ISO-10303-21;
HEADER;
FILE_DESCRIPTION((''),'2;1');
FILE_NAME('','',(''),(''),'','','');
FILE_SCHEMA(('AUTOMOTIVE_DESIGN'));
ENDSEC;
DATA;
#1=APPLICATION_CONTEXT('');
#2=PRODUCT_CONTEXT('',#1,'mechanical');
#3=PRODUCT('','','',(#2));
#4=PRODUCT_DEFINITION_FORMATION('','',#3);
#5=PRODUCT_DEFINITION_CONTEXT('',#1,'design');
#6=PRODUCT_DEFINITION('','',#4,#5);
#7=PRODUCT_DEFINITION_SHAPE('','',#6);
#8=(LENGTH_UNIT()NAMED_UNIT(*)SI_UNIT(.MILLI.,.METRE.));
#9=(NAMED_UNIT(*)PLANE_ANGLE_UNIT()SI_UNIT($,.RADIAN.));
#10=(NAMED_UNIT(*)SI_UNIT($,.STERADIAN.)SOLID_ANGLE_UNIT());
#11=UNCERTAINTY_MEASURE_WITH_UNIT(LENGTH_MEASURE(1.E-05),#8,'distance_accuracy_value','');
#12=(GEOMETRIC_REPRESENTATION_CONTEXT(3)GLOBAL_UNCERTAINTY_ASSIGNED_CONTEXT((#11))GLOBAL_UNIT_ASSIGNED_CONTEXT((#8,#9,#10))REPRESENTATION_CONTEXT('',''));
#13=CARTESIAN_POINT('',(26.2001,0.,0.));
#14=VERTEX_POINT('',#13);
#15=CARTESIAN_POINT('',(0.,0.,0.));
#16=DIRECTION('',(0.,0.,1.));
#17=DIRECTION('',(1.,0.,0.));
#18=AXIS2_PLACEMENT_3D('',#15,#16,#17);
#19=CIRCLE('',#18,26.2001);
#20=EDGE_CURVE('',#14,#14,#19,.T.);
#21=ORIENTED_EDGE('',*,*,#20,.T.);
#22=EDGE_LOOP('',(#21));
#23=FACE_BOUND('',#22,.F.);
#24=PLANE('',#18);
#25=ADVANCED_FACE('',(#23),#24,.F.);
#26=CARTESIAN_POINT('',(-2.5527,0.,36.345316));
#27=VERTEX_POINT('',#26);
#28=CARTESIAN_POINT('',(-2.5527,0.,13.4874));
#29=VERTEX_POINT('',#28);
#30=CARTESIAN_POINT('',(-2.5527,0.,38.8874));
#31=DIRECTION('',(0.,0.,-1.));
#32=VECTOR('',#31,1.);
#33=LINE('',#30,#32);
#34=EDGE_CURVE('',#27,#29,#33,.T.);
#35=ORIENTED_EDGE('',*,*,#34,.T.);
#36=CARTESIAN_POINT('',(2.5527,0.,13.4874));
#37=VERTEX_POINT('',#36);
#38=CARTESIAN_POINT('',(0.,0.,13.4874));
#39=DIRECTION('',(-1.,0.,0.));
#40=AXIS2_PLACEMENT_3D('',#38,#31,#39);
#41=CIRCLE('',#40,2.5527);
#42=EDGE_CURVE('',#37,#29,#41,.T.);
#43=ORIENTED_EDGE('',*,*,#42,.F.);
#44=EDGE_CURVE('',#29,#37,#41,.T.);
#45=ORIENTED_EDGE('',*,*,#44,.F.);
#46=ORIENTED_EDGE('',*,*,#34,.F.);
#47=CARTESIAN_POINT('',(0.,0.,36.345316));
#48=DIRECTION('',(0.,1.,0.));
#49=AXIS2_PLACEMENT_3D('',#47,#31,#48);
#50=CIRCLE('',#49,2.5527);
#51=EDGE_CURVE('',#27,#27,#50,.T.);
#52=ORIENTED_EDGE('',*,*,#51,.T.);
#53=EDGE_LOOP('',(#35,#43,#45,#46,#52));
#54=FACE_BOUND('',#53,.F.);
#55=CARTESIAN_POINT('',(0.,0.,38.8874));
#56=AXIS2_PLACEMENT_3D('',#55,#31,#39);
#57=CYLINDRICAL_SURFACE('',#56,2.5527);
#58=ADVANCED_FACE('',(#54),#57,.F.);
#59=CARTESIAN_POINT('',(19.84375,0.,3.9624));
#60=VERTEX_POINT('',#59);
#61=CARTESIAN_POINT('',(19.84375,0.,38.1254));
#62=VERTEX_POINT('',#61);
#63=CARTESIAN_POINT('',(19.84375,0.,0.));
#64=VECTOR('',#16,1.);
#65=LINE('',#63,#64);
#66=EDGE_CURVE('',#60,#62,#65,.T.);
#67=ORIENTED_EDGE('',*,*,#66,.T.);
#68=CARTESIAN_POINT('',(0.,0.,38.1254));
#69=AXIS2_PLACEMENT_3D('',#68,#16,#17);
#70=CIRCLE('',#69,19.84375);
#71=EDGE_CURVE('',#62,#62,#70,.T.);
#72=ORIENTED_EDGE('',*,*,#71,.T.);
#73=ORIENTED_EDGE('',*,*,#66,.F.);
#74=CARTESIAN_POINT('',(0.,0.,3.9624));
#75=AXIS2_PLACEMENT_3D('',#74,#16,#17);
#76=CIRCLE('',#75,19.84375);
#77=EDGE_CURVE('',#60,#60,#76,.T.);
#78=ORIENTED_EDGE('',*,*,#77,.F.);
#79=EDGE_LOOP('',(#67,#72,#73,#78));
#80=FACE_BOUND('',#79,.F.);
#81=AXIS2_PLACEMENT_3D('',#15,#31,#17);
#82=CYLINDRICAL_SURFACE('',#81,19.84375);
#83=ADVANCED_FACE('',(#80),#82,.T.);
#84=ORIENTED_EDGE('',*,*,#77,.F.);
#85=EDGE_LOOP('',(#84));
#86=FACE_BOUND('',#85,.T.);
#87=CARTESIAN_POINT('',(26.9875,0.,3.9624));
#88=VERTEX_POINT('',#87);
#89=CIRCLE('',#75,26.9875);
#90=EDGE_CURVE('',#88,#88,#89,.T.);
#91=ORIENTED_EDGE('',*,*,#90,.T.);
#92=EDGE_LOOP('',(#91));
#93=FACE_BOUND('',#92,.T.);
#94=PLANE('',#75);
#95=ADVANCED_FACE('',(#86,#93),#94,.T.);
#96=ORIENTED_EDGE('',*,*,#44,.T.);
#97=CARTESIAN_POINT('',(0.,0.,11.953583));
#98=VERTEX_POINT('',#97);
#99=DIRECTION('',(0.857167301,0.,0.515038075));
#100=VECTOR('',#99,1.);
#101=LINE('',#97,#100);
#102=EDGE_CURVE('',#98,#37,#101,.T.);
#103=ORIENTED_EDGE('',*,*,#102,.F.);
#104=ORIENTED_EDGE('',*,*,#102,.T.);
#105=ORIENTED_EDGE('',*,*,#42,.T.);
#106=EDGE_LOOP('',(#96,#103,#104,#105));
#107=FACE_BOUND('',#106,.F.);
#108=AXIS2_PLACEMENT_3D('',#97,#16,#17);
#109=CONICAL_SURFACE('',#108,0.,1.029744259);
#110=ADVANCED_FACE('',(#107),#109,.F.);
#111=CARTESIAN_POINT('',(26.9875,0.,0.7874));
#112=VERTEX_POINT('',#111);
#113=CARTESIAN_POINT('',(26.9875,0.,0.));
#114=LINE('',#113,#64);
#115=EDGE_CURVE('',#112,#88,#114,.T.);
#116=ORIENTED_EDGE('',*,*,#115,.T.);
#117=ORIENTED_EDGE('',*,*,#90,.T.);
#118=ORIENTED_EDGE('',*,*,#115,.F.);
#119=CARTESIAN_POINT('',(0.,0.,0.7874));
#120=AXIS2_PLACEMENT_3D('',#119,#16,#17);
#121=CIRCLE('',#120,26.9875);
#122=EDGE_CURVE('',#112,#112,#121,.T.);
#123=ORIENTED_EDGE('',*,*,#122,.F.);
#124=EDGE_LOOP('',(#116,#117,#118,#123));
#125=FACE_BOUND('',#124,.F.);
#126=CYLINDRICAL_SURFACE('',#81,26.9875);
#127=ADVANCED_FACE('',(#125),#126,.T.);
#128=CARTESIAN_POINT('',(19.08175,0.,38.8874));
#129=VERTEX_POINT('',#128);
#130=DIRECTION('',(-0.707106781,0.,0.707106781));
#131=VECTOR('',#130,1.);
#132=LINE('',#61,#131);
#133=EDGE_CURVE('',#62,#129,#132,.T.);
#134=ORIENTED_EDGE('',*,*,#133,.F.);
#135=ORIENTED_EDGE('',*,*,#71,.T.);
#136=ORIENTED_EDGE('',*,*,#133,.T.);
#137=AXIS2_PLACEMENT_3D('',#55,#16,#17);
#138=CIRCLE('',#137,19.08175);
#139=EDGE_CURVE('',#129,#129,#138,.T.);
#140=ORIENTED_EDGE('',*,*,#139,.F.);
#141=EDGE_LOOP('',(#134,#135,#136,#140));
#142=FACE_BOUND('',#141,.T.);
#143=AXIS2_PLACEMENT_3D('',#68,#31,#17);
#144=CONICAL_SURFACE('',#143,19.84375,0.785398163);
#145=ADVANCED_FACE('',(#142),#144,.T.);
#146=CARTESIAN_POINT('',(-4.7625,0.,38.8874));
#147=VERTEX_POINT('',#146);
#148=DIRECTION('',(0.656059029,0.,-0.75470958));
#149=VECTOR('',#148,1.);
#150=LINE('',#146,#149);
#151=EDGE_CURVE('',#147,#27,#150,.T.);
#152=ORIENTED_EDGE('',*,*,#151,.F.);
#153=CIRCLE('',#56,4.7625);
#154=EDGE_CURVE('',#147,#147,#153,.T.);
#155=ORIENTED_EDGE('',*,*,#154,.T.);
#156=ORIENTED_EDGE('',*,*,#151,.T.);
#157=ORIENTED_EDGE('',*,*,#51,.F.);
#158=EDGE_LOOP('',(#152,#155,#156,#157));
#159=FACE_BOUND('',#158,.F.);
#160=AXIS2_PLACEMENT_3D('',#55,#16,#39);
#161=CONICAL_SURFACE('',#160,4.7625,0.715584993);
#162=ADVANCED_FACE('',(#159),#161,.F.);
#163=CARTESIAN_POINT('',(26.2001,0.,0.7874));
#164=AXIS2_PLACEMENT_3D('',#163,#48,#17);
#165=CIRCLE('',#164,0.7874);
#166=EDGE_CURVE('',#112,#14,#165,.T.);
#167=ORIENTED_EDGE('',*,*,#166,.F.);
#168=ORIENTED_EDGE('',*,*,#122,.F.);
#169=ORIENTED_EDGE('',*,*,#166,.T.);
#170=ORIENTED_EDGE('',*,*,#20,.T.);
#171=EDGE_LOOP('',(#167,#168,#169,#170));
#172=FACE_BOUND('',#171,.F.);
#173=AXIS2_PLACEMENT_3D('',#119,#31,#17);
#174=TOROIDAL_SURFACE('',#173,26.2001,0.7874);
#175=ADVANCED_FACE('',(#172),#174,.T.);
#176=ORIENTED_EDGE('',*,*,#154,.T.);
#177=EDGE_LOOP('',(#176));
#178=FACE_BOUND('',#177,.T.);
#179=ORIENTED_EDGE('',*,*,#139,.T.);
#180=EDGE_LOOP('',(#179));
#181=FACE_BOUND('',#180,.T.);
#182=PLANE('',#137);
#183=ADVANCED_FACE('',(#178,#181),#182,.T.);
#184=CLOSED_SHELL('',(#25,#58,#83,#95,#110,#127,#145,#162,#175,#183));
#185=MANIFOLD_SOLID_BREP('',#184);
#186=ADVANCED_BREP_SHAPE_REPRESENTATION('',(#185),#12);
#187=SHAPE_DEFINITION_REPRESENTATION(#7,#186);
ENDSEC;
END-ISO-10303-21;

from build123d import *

# Parameters (mm, degrees)
F0_R           = 26.9875
F0_R_2         = 19.84375
F1_DEPTH       = 3.9624
F2_DEPTH       = 38.8874
F3_R           = 0.7874
F4_SIZE2       = 0.762
F4_SIZE        = 0.762
F6_D           = 5.1054
F6_DEPTH       = 25.4
F6_CSINK_D     = 9.525
F6_CSINK_ANGLE = 82
F6_TIP         = 1.5338169022


with BuildPart() as f1:
    # F0 (on Top) → F1 (new body)
    with BuildSketch(Plane.XY):
        Circle(F0_R)
        Circle(F0_R_2, mode=Mode.SUBTRACT)
    extrude(amount=F1_DEPTH)

    # F0 (on Top) → F2 (join)
    with BuildSketch(Plane.XY):
        Circle(F0_R_2)
    extrude(amount=F2_DEPTH)

    # F3
    f3_edges = [f1.edges().sort_by_distance(p)[0] for p in [
        (-26.9875, 0, 0),
    ]]
    fillet(f3_edges, radius=F3_R)

    # F4
    f4_edges = [f1.edges().sort_by_distance(p)[0] for p in [
        (-19.84375, 0, 38.8874),
    ]]
    chamfer(f4_edges, length=F4_SIZE, length2=F4_SIZE2)

    # F6
    with Locations(Plane.XY.offset(38.8874)):
        with Locations((0, 0)):
            CounterSinkHole(F6_D / 2, F6_CSINK_D / 2, depth=F6_DEPTH, counter_sink_angle=F6_CSINK_ANGLE)
            with Locations((0, 0, -(F6_DEPTH + F6_TIP / 2))):  # 118° drill point
                Cone(0, F6_D / 2, F6_TIP, mode=Mode.SUBTRACT)


solid = f1.part
